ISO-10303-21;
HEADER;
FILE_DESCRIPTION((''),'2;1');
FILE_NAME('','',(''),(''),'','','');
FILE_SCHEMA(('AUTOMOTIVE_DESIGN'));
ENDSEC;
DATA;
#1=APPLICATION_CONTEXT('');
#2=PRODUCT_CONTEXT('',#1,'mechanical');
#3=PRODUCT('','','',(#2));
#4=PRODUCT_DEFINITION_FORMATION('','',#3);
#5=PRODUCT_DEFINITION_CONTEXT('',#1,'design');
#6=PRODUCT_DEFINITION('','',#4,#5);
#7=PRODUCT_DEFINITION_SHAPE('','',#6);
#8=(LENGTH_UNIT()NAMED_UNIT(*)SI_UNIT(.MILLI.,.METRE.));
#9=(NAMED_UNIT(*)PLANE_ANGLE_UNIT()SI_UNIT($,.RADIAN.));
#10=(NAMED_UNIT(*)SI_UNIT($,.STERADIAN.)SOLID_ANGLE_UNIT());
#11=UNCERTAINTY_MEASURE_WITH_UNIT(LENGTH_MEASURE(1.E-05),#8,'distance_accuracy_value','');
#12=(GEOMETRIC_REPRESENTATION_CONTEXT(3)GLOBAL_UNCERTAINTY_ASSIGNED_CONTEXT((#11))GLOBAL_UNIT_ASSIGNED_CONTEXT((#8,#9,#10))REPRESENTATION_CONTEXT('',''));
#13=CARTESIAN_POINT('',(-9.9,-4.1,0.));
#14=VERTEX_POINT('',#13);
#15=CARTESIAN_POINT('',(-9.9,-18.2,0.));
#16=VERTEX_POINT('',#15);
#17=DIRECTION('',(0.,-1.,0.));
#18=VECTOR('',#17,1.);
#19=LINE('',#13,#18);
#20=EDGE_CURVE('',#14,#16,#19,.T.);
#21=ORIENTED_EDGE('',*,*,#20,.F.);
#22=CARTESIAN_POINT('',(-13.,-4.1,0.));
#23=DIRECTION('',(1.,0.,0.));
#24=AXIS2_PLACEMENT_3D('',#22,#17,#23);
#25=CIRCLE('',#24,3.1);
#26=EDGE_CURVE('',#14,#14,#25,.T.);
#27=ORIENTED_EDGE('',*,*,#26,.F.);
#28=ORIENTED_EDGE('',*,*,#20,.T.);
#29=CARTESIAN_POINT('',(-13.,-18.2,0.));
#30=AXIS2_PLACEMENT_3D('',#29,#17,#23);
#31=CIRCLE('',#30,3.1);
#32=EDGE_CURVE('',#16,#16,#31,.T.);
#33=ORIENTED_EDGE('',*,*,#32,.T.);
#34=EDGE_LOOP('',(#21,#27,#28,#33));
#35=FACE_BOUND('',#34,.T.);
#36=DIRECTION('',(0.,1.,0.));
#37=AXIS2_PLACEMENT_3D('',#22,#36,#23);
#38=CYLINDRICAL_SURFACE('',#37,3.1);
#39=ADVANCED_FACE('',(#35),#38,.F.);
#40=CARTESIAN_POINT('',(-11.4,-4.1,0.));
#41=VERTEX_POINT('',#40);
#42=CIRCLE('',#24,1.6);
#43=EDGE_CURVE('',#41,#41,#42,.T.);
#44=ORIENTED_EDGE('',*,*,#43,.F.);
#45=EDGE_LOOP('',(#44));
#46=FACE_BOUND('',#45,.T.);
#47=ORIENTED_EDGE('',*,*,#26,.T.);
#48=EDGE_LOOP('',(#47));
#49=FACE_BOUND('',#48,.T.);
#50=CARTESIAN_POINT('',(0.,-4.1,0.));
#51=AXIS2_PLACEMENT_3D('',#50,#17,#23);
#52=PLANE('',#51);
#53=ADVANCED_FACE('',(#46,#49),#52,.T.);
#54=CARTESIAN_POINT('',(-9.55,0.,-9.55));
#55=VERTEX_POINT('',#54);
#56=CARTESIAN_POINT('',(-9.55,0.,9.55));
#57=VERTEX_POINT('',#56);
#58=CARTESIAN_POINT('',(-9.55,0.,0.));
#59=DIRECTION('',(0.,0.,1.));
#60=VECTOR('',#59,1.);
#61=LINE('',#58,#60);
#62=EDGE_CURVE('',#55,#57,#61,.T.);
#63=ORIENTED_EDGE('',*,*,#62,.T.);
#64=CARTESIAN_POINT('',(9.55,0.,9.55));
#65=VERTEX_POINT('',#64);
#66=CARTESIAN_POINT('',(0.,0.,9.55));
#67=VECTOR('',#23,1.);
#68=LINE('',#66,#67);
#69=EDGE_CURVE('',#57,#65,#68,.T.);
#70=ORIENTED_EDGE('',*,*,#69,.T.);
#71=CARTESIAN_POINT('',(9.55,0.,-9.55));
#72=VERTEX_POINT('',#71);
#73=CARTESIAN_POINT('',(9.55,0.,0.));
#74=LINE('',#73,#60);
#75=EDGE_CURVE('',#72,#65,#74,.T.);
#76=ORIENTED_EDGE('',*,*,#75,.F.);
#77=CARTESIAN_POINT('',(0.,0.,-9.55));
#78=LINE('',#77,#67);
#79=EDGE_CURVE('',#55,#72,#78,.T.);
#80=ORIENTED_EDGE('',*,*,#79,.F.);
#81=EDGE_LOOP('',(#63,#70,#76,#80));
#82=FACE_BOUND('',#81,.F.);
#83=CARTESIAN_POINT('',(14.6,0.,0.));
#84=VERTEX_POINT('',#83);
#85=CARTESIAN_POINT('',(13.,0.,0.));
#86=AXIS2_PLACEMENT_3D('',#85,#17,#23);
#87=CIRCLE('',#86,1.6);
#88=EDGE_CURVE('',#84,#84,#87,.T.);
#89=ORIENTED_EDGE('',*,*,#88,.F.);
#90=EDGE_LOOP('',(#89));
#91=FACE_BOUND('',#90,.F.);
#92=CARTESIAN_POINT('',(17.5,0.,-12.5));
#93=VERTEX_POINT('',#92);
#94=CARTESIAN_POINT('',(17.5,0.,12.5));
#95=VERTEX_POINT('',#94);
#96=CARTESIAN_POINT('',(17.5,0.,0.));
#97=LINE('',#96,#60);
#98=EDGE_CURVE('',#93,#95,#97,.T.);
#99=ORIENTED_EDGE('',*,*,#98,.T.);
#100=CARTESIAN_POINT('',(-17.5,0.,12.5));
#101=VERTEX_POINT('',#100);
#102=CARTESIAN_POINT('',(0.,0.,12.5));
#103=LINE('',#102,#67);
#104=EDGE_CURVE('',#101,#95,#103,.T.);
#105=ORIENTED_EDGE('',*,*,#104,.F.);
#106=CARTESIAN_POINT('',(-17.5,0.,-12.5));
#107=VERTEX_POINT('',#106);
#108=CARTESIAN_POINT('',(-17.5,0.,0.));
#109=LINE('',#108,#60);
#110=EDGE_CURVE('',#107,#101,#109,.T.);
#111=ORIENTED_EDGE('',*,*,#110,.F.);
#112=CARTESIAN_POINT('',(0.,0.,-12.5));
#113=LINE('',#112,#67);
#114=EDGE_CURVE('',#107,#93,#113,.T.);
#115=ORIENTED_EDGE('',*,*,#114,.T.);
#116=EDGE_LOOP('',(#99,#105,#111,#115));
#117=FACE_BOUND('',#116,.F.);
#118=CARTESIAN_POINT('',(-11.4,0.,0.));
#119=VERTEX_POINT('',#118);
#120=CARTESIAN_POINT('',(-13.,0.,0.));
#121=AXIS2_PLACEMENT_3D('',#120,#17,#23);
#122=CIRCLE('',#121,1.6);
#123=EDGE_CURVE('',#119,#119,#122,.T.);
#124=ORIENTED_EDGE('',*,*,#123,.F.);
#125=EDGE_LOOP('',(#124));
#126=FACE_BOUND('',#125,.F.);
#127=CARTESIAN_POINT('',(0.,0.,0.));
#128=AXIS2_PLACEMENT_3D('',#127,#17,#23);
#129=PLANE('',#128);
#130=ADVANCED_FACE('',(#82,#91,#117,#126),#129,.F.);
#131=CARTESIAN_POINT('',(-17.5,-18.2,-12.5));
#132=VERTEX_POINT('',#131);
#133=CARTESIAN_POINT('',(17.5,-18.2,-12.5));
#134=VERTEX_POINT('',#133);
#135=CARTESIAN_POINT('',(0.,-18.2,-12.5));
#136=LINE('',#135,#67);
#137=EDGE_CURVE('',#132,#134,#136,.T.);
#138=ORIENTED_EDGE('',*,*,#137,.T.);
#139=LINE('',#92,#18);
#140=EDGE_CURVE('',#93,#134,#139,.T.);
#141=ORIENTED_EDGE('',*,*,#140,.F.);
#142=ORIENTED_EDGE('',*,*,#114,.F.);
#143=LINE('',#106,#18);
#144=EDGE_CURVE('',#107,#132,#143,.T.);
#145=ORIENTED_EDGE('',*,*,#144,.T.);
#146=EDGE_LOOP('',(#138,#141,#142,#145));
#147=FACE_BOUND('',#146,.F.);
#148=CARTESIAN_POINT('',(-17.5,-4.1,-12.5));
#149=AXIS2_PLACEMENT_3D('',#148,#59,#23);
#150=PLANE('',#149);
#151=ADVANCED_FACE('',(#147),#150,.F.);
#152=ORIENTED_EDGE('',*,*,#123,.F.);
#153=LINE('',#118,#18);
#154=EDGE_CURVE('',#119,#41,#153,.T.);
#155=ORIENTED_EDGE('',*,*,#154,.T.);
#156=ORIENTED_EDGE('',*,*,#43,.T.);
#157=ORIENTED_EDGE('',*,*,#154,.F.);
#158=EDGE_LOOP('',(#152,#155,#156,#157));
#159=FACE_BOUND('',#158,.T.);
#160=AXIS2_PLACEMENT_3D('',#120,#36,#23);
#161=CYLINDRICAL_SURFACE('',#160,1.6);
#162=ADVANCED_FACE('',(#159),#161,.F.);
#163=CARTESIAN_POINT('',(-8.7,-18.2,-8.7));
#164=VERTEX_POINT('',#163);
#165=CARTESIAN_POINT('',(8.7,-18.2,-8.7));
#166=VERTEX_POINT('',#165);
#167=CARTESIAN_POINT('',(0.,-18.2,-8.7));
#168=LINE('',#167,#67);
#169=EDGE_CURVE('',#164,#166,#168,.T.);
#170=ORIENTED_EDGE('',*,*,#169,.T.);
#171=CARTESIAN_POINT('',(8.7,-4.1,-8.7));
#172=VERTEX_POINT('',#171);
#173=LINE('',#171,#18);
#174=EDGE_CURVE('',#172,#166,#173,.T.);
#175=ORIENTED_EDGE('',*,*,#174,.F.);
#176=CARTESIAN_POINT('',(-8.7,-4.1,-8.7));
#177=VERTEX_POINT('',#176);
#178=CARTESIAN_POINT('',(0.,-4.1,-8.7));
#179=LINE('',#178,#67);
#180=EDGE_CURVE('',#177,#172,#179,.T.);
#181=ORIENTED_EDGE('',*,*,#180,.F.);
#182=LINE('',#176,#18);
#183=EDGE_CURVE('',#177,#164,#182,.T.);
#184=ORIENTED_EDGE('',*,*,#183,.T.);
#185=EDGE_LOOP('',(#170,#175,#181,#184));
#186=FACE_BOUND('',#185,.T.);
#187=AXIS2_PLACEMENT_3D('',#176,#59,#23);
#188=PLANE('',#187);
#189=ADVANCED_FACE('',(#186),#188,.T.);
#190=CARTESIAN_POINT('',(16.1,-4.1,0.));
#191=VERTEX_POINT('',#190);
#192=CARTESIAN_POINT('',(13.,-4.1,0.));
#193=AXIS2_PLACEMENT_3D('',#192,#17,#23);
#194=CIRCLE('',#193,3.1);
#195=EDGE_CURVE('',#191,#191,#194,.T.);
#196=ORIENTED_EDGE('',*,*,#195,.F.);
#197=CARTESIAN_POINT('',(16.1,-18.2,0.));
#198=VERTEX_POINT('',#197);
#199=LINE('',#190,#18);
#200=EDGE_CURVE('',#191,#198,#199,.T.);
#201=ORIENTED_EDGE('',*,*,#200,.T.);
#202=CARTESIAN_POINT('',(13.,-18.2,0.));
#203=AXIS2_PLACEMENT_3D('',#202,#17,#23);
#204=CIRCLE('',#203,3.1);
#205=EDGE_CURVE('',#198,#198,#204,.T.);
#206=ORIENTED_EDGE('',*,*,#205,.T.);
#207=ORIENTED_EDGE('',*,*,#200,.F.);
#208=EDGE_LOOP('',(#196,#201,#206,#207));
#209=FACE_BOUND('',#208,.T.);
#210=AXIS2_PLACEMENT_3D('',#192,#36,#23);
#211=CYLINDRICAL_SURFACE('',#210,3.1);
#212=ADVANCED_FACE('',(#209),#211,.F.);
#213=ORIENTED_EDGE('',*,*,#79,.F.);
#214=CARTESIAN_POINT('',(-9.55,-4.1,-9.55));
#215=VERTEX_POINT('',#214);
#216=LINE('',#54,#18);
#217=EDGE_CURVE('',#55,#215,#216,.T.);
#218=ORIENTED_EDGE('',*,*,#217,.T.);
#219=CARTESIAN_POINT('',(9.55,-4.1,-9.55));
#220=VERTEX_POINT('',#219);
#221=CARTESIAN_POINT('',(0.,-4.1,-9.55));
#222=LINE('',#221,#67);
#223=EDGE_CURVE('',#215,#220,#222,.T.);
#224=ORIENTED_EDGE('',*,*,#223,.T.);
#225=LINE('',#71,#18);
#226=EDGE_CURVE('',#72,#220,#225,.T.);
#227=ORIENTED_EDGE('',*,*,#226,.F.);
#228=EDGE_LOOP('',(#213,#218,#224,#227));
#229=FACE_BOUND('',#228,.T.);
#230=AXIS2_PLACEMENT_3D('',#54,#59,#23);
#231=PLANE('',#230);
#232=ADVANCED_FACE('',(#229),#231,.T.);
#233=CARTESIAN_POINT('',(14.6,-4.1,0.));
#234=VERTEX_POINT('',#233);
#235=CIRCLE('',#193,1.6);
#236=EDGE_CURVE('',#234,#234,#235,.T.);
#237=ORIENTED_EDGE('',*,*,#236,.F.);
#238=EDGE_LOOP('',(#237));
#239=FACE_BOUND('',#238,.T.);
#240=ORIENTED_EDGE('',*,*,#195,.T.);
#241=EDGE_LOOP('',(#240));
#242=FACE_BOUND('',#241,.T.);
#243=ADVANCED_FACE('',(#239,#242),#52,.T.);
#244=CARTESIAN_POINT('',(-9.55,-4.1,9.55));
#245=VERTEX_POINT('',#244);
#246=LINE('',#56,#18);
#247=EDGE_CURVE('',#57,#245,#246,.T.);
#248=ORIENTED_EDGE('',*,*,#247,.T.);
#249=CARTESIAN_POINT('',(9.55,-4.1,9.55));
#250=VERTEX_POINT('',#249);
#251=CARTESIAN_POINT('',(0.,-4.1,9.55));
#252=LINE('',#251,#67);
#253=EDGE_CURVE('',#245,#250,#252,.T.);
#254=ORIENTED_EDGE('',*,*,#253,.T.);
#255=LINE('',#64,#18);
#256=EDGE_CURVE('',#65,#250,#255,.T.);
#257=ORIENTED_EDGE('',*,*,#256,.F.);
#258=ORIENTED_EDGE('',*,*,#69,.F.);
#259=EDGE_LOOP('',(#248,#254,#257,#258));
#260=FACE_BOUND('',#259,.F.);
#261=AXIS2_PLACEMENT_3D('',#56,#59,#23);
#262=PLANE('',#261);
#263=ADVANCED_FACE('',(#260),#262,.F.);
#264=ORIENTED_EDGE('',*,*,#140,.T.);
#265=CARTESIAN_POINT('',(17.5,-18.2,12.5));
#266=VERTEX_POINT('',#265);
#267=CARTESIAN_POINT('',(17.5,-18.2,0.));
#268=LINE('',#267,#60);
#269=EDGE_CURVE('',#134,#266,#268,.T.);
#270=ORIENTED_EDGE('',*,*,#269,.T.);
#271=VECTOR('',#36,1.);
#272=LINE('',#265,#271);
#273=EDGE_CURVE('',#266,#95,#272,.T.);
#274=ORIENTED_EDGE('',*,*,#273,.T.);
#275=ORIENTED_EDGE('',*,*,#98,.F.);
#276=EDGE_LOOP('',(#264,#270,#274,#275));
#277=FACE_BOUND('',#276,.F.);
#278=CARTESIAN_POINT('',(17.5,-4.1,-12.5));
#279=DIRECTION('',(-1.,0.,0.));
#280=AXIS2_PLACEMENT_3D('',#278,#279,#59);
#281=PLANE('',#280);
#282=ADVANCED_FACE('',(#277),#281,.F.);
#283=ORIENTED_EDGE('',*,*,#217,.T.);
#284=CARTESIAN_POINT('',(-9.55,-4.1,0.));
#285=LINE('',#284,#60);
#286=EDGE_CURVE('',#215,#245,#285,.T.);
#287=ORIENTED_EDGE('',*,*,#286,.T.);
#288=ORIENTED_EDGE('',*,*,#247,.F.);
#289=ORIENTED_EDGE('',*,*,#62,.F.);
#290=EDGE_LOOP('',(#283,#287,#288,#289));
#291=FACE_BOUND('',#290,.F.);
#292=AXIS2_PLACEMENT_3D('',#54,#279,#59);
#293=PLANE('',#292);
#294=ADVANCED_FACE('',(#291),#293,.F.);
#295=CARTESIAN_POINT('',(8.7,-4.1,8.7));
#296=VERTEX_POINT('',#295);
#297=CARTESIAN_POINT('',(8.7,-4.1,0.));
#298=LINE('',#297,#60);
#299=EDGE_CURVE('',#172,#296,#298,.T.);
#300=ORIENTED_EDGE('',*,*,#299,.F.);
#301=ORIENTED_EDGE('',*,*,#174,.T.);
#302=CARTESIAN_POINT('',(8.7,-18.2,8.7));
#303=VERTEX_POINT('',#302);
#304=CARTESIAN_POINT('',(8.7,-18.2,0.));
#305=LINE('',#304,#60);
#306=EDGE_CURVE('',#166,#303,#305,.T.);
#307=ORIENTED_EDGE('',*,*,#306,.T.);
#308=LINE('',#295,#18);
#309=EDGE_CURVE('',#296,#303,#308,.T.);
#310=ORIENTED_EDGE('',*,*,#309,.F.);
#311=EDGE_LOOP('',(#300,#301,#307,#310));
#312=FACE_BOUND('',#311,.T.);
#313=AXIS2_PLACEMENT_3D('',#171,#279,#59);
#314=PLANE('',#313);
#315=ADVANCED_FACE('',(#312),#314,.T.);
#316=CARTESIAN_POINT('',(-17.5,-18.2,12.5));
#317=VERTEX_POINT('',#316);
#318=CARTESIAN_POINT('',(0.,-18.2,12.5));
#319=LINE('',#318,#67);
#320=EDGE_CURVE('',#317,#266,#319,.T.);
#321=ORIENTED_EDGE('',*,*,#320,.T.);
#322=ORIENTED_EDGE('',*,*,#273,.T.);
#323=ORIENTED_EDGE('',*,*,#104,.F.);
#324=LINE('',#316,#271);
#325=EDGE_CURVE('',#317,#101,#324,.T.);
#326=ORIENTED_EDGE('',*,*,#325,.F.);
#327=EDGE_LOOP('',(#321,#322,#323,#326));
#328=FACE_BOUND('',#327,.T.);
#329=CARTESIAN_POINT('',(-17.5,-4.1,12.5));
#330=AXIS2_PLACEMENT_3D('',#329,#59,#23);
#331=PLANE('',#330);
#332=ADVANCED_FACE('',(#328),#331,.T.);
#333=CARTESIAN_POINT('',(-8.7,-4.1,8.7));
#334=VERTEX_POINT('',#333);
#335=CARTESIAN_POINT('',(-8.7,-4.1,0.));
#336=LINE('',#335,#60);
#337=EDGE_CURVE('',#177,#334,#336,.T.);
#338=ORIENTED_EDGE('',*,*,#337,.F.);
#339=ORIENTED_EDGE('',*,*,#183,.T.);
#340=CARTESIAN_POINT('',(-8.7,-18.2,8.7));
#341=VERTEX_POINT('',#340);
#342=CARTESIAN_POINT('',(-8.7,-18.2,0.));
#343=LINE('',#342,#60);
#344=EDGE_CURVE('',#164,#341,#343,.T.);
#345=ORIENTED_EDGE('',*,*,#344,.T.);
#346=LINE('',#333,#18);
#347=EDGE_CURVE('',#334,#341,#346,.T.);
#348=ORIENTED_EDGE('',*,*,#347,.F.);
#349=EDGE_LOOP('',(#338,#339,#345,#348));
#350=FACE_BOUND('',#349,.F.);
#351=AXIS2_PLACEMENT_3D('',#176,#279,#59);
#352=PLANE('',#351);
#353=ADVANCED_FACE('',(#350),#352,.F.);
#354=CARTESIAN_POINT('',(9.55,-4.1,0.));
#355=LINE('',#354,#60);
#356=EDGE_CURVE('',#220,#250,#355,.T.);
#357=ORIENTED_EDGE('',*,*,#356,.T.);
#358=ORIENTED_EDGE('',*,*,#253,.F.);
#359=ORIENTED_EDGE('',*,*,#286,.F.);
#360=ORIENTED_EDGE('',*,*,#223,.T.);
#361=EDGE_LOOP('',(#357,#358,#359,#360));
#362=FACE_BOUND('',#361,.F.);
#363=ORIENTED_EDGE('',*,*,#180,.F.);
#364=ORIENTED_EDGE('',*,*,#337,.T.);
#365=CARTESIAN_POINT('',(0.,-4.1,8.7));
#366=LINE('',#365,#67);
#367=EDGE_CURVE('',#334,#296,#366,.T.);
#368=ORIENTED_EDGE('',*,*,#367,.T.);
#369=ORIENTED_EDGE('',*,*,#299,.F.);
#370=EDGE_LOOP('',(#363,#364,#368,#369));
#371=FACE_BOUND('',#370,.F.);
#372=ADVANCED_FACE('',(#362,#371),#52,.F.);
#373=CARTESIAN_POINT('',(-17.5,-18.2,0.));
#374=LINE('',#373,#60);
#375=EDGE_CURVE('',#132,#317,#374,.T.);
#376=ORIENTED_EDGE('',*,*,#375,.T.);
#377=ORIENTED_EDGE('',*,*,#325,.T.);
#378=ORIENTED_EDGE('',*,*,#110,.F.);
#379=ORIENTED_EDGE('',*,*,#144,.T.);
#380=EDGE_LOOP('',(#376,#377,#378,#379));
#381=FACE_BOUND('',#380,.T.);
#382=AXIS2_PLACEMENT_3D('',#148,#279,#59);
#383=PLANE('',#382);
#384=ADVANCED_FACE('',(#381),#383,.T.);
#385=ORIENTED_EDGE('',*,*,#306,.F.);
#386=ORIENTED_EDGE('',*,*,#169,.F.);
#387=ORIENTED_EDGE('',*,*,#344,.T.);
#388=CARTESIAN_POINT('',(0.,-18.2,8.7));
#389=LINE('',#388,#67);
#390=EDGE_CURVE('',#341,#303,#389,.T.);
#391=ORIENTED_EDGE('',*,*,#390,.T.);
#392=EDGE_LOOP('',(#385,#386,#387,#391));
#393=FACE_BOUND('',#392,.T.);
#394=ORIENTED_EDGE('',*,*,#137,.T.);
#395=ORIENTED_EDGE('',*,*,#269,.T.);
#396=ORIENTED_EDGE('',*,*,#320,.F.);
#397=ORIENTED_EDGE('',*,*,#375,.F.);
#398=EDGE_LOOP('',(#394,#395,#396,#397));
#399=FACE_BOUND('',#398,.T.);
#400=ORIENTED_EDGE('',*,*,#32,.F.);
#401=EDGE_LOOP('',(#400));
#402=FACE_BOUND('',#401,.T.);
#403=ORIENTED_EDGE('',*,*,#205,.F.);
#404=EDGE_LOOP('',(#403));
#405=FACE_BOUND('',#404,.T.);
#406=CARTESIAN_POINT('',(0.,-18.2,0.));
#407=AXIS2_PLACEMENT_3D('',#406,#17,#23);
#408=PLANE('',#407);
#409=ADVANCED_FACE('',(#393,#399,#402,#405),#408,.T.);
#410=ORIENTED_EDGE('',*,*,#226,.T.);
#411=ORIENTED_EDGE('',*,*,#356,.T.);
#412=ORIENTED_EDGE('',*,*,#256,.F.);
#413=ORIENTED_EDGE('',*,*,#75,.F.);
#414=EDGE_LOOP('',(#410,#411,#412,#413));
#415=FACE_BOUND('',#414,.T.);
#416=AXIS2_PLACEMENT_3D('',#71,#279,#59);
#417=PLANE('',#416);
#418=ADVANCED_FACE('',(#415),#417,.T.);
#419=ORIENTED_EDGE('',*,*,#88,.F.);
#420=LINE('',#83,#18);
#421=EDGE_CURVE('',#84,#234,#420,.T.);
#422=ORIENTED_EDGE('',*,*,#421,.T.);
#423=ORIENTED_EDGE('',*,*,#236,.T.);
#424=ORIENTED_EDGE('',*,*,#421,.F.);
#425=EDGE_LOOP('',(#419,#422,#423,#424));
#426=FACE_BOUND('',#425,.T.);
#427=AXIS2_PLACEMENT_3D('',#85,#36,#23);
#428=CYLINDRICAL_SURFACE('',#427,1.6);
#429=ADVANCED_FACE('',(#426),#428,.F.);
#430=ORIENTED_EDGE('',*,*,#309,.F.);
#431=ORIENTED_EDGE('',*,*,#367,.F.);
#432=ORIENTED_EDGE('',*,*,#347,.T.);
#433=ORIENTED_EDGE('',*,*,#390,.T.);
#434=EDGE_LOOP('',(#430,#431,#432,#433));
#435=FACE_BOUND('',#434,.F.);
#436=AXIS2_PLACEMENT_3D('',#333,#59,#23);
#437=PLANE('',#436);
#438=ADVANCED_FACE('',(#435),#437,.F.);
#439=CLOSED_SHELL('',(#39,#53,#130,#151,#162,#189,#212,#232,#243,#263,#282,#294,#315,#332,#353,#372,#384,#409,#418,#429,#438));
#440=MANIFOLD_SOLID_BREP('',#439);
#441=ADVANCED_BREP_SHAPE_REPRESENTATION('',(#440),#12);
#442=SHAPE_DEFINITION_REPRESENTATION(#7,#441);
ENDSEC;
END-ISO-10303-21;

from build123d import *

# Parameters (mm, degrees)
F0_W     = 35
F0_H     = 25
F0_R     = 1.6
F0_W_2   = 19.1
F0_H_2   = 19.1
F1_DEPTH = 4.1
F2_W     = 35
F2_H     = 25
F2_R     = 3.1
F2_W_2   = 17.4
F2_H_2   = 17.4
F3_DEPTH = 14.1


with BuildPart() as f1:
    # F0 (on Front) → F1 (new body)
    with BuildSketch(Plane.XZ):
        Rectangle(F0_W, F0_H)
        with Locations((-13, 0)):
            Circle(F0_R, mode=Mode.SUBTRACT)
        Rectangle(F0_W_2, F0_H_2, mode=Mode.SUBTRACT)
        with Locations((13, 0)):
            Circle(F0_R, mode=Mode.SUBTRACT)
    extrude(amount=F1_DEPTH)

    # F2 (on face) → F3 (join)
    with BuildSketch(Plane.XZ.offset(4.1)):
        Rectangle(F2_W, F2_H)
        with Locations((-13, 0)):
            Circle(F2_R, mode=Mode.SUBTRACT)
        Rectangle(F2_W_2, F2_H_2, mode=Mode.SUBTRACT)
        with Locations((13, 0)):
            Circle(F2_R, mode=Mode.SUBTRACT)
    extrude(amount=F3_DEPTH)


solid = f1.part
